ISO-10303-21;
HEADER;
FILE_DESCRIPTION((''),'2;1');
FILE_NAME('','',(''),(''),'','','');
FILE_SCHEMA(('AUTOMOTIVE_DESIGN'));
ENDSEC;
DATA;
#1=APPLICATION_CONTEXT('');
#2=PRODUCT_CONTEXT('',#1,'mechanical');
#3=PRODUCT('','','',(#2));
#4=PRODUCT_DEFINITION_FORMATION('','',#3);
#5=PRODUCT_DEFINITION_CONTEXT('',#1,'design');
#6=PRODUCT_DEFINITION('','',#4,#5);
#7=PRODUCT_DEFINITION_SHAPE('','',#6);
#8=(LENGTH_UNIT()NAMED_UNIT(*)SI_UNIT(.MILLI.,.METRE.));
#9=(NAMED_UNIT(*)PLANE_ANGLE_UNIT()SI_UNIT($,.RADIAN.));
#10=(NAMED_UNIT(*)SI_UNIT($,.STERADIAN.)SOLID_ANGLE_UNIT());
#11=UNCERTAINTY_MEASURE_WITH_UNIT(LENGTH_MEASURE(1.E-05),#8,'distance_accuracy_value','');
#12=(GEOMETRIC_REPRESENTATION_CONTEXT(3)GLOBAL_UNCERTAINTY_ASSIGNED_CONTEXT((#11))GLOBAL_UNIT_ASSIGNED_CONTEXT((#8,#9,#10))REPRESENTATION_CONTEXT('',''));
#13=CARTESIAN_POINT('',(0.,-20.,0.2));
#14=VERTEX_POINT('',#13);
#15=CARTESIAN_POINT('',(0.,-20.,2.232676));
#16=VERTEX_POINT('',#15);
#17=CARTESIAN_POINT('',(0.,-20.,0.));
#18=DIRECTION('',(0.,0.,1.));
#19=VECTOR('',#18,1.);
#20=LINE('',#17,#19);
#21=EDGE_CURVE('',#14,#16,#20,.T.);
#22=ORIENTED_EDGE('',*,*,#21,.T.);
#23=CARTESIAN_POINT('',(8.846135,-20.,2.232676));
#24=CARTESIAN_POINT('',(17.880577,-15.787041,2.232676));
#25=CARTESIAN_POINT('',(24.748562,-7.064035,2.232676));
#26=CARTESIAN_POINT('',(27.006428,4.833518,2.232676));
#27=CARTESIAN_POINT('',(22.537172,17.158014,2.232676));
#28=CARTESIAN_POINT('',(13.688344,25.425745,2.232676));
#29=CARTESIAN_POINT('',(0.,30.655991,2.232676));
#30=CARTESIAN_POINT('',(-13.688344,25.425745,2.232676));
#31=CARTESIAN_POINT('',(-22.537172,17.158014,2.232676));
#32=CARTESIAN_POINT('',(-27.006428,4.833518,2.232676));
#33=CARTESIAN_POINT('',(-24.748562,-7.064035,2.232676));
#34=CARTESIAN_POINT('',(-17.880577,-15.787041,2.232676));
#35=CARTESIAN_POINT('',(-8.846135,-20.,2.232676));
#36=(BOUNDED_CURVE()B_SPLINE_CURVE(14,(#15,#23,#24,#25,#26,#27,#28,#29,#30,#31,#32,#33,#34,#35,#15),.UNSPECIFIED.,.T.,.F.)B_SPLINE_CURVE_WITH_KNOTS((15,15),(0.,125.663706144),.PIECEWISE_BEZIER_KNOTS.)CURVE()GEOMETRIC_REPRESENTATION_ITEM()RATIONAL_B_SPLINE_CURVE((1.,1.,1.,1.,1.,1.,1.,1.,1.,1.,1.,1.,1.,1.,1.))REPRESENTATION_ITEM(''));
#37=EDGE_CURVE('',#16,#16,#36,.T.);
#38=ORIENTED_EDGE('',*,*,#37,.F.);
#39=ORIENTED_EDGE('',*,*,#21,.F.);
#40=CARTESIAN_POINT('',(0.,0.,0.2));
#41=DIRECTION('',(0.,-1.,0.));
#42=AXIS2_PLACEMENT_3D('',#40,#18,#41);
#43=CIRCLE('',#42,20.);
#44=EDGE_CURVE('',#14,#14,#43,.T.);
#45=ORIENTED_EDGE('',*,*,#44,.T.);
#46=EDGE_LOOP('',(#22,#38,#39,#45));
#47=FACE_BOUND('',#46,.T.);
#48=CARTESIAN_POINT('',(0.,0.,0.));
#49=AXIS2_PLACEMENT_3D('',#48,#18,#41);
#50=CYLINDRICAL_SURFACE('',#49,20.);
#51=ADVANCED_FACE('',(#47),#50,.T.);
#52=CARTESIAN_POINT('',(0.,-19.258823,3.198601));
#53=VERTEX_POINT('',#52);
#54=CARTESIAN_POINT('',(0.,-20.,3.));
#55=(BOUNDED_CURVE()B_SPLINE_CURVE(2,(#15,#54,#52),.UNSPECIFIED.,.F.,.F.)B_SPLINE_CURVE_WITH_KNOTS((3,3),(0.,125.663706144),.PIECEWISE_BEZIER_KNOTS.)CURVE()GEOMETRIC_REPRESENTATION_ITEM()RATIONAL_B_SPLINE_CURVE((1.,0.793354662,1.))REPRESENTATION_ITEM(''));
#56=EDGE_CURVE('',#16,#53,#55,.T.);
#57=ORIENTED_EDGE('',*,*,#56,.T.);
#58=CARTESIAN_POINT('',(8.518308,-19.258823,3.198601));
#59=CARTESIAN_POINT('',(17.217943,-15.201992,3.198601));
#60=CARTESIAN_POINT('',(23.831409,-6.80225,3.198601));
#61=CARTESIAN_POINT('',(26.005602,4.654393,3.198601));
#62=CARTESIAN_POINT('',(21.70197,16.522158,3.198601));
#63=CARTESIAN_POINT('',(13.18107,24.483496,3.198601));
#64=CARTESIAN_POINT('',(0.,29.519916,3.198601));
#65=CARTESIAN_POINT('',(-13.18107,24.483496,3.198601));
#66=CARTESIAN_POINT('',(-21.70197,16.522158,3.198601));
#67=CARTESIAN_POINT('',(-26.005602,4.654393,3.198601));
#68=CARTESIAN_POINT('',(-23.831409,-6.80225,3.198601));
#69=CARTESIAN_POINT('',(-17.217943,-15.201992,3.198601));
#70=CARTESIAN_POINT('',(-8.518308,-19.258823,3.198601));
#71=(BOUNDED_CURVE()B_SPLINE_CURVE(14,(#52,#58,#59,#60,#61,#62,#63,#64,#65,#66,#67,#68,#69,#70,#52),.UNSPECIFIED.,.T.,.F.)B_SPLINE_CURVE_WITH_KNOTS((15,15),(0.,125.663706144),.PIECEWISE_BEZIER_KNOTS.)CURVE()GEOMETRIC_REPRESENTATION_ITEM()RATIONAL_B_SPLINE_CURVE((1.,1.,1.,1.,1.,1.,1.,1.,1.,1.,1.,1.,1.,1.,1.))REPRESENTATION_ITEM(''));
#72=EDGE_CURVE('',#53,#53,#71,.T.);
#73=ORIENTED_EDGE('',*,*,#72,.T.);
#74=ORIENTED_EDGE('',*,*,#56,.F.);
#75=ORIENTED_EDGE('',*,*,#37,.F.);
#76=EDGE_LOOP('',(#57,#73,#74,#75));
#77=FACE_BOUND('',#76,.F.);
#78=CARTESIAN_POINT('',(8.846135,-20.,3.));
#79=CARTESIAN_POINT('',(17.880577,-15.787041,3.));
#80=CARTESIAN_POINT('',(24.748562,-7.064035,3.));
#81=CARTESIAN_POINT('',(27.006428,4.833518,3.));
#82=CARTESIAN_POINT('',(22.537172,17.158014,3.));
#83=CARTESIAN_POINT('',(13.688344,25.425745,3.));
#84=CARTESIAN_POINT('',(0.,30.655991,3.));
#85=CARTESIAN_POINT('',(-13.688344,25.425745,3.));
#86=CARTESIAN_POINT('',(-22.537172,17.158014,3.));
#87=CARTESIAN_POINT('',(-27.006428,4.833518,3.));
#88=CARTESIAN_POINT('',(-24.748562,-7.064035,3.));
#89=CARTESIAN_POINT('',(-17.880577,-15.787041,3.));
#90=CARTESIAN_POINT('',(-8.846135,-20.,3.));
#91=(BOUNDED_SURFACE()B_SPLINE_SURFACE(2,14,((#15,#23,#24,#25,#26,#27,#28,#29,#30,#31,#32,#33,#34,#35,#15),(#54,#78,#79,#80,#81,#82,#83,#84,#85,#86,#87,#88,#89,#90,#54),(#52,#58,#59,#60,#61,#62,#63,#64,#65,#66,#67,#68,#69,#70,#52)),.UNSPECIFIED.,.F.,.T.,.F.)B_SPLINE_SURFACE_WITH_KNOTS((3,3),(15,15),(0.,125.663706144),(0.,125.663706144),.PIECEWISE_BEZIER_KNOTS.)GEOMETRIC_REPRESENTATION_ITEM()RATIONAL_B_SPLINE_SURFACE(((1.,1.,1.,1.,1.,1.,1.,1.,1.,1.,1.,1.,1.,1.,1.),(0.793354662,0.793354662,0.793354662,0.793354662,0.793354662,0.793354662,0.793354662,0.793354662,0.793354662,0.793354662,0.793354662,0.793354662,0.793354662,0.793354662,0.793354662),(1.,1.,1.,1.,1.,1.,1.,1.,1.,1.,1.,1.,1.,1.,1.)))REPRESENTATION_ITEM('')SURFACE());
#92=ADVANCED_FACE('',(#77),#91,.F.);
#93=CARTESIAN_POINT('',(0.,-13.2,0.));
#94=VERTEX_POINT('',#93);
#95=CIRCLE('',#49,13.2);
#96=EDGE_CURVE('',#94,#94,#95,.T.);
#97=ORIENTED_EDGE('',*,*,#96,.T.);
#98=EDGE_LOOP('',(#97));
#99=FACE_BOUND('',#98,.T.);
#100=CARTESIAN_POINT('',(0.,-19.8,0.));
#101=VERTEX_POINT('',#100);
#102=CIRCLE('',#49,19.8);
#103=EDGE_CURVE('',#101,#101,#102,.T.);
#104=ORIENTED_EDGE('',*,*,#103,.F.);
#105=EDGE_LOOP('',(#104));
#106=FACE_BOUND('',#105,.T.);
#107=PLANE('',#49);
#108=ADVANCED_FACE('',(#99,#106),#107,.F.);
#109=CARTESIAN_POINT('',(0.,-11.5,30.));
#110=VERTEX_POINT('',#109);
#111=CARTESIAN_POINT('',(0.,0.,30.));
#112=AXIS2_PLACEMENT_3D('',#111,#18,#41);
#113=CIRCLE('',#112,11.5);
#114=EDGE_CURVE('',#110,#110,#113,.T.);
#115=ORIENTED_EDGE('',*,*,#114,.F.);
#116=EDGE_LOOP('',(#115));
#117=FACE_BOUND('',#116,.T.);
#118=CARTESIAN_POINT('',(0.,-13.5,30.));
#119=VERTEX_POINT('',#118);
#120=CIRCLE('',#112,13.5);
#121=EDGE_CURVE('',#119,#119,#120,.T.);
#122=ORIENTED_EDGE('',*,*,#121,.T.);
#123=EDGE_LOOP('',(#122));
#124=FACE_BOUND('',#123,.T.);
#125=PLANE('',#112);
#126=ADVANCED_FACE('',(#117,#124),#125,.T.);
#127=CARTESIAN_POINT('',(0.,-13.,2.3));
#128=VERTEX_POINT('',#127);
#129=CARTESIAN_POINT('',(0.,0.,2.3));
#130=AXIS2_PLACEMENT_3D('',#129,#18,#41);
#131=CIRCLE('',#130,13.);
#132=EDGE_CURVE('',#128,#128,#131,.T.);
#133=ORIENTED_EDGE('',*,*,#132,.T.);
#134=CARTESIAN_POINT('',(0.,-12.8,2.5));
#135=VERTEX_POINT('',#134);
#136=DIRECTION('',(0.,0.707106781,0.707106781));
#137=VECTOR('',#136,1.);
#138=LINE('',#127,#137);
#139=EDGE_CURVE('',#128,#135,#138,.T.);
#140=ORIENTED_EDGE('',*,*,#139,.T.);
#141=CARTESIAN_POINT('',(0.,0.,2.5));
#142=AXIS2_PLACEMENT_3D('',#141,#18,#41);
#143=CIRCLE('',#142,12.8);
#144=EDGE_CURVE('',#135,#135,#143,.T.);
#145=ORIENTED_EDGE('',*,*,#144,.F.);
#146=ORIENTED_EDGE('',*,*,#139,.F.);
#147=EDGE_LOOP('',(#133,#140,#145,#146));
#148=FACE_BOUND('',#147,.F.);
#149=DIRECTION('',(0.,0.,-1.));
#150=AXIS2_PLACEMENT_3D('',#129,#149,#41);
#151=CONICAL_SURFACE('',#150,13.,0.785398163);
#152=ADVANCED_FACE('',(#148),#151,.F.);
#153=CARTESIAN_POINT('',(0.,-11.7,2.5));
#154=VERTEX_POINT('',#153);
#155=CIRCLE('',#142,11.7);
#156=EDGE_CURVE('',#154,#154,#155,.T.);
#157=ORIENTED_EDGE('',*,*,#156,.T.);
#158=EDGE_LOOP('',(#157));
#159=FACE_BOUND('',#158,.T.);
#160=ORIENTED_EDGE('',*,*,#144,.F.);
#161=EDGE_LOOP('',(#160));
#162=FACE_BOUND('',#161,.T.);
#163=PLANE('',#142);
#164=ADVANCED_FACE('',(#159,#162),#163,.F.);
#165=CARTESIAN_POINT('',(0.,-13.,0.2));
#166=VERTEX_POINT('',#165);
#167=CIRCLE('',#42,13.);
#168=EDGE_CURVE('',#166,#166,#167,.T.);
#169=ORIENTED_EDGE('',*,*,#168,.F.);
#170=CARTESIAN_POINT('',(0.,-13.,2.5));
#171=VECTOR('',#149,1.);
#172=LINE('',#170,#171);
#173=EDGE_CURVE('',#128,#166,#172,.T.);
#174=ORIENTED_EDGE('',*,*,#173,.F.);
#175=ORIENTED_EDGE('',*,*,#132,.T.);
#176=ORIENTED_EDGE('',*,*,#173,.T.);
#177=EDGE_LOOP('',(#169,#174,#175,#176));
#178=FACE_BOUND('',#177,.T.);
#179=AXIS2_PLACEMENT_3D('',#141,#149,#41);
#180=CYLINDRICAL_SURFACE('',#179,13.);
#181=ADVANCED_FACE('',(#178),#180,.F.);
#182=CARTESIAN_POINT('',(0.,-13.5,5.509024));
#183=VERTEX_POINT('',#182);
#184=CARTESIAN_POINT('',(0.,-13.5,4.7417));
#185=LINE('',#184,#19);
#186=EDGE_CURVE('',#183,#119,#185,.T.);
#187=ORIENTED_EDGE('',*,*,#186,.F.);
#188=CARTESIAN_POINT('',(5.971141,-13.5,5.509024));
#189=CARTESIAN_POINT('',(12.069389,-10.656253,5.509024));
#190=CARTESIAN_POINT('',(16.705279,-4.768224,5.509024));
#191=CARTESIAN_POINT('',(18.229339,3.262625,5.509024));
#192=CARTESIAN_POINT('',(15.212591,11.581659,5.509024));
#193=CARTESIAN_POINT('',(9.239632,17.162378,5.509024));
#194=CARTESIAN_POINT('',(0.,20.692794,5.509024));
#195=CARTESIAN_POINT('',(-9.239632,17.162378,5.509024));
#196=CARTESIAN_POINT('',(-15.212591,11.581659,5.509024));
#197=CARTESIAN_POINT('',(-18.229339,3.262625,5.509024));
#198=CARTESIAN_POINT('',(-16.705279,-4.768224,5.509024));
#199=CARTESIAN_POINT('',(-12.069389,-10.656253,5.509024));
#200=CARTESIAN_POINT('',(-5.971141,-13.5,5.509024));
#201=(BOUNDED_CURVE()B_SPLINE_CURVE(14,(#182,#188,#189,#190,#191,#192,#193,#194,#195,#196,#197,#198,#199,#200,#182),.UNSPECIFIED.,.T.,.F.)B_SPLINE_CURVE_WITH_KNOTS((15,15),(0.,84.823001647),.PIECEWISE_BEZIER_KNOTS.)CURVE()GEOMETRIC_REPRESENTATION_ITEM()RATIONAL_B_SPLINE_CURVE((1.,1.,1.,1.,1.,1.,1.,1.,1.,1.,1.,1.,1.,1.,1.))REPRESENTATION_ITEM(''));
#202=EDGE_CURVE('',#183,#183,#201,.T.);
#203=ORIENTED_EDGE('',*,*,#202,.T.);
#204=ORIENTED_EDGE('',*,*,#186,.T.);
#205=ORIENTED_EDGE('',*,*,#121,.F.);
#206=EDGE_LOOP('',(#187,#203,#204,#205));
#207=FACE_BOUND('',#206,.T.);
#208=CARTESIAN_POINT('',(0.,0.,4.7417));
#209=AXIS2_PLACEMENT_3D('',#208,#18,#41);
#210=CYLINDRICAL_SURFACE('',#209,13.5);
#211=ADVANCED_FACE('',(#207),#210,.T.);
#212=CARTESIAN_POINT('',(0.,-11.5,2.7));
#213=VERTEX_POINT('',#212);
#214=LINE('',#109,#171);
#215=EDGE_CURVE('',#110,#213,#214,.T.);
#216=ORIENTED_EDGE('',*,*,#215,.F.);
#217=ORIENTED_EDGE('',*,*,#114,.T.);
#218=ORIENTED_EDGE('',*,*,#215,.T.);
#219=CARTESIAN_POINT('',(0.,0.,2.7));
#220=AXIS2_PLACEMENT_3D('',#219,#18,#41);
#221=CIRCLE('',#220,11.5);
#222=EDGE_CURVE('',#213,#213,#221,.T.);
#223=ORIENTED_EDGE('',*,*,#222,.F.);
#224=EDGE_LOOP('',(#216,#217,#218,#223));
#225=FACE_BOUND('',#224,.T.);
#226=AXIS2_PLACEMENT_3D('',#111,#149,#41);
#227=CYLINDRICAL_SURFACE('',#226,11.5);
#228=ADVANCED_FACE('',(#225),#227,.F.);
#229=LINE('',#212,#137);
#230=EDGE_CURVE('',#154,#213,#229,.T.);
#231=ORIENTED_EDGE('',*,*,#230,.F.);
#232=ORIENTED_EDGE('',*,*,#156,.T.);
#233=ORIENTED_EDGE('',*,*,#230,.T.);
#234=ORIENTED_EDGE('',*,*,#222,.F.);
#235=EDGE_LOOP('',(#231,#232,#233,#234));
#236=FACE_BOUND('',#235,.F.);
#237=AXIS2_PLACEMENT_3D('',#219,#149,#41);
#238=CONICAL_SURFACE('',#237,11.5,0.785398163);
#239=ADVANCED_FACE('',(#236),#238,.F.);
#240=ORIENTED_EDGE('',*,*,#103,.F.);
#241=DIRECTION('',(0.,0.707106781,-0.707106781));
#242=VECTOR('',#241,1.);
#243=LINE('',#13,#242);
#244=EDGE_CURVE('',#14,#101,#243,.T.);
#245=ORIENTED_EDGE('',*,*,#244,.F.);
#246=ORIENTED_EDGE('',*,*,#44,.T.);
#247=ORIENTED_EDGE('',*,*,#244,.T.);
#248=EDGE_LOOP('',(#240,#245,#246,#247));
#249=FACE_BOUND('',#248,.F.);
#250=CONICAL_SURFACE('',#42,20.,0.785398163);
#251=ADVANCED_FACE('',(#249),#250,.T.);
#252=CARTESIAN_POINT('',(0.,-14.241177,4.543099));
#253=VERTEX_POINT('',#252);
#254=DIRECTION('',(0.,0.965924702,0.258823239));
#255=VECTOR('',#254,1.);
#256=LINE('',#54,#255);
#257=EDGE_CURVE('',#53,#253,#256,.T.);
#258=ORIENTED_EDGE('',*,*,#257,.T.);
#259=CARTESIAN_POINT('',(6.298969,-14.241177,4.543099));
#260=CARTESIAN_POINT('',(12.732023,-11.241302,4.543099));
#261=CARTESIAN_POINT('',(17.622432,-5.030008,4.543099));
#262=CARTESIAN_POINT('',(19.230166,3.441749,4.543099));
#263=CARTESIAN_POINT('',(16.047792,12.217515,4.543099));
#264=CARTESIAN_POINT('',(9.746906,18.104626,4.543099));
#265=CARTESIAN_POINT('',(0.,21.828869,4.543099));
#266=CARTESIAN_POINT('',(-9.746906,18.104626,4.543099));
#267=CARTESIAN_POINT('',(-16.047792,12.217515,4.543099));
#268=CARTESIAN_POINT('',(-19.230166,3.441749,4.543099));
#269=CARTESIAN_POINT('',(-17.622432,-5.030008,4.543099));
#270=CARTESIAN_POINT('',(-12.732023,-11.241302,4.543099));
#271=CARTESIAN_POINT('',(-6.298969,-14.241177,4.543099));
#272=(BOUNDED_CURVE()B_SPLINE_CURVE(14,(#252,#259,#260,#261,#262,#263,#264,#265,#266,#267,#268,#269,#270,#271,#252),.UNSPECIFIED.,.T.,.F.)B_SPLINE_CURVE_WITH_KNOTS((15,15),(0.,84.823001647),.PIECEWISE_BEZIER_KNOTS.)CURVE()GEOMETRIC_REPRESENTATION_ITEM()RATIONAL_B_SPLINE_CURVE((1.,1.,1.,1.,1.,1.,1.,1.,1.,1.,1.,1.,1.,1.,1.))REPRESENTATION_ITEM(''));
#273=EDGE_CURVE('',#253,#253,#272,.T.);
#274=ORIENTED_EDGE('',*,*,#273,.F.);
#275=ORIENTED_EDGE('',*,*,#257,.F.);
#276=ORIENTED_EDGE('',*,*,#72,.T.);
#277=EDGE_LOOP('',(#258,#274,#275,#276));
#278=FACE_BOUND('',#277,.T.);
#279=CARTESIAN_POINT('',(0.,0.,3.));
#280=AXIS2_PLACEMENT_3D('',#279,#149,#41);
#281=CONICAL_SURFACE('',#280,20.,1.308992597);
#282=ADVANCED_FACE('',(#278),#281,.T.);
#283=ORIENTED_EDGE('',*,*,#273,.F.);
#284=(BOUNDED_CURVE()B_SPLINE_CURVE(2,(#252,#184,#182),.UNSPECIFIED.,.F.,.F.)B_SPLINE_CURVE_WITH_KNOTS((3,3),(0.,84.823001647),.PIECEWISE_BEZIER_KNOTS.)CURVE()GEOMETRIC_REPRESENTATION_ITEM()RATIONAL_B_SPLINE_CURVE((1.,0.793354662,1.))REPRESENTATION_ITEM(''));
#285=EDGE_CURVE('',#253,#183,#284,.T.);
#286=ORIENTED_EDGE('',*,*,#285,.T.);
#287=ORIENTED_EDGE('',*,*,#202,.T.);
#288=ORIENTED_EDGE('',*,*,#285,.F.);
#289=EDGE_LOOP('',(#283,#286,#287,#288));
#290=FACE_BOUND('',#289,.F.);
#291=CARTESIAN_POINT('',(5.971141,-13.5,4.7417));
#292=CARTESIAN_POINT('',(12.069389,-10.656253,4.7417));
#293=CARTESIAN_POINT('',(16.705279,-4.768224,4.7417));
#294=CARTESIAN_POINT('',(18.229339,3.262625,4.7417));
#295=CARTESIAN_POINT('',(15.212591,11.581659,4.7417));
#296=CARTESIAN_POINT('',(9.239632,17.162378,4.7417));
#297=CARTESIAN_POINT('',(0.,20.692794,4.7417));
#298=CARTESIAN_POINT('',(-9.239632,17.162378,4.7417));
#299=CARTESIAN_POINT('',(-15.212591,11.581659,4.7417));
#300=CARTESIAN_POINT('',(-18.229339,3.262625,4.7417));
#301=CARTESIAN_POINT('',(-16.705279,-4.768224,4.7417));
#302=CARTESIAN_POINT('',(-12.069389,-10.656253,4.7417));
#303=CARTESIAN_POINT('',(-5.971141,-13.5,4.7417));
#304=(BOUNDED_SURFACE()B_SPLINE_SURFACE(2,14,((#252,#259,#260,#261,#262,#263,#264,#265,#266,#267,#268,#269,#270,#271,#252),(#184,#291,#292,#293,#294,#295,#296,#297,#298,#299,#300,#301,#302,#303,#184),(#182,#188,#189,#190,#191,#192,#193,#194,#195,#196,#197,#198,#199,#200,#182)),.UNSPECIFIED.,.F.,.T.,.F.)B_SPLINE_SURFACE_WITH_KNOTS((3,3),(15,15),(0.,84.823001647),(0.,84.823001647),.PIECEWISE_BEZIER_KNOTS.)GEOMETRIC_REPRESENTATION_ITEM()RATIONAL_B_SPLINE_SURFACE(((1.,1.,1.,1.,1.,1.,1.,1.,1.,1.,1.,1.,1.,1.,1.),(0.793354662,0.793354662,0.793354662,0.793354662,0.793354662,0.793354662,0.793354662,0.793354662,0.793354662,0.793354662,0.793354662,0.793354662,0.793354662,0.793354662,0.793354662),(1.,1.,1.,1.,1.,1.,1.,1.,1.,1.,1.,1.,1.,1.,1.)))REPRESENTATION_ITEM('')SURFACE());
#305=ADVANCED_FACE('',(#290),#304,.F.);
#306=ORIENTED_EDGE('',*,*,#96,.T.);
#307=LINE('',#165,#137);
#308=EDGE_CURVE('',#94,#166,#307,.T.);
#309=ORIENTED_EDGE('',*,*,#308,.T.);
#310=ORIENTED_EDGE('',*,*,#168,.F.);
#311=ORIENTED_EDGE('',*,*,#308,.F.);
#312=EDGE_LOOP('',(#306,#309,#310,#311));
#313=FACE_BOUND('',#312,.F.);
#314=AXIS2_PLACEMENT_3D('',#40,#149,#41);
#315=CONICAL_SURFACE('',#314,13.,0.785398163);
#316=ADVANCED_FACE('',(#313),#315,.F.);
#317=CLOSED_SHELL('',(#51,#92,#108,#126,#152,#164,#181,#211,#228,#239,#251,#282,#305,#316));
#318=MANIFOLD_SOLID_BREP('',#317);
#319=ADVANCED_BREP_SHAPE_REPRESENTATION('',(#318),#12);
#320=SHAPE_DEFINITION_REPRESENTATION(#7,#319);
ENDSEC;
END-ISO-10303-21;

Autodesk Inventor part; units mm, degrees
ref_plane "YZ Plane" through (0, 0, 0) normal (1, 0, 0) x (0, 1, 0)
ref_plane "XZ Plane" through (0, 0, 0) normal (0, 1, 0) x (-1, 0, 0)
ref_plane "XY Plane" through (0, 0, 0) normal (0, 0, 1) x (1, 0, 0)
sketch "Sketch1" plane through (0, 0, 0) normal (1, 0, 0) x (0, 1, 0)
  line L0 (0, 0) -> (0, 30)
  line L1 (-11.5, 30) -> (-11.5, 2.5)
  line L2 (-11.5, 2.5) -> (-13, 2.5)
  line L3 (-13, 2.5) -> (-13, 0)
  line L4 (-13, 0) -> (-20, 0)
  line L5 (-20, 0) -> (-20, 3)
  line L6 (-20, 3) -> (-13.5, 4.7417)
  line L7 (-13.5, 4.7417) -> (-13.5, 30)
  line L8 (-13.5, 30) -> (-11.5, 30)
  dimension "d0" = 30
  dimension "d1" = 27
  dimension "d2" = 26
  dimension "d3" = 2.5
  dimension "d4" = 23
  dimension "d5" = 15
  dimension "d6" = 3
  dimension "d7" = 40
revolve "Revolution1" add sketch "Sketch1" angle 360 about axis through (0, 0, 0) along (0, 0, 1)
fillet "Fillet1" radius 1 2 edges at (0, 20, 3) (0, 13.5, 4.7417)
chamfer "Chamfer1" distance 0.2 angle 45 4 edges at (0, 20, 0) (0, 13, 0) (0, 11.5, 2.5) (0, 13, 2.5)
properties part number "nw-25-welded-30" material "Stainless Steel"
